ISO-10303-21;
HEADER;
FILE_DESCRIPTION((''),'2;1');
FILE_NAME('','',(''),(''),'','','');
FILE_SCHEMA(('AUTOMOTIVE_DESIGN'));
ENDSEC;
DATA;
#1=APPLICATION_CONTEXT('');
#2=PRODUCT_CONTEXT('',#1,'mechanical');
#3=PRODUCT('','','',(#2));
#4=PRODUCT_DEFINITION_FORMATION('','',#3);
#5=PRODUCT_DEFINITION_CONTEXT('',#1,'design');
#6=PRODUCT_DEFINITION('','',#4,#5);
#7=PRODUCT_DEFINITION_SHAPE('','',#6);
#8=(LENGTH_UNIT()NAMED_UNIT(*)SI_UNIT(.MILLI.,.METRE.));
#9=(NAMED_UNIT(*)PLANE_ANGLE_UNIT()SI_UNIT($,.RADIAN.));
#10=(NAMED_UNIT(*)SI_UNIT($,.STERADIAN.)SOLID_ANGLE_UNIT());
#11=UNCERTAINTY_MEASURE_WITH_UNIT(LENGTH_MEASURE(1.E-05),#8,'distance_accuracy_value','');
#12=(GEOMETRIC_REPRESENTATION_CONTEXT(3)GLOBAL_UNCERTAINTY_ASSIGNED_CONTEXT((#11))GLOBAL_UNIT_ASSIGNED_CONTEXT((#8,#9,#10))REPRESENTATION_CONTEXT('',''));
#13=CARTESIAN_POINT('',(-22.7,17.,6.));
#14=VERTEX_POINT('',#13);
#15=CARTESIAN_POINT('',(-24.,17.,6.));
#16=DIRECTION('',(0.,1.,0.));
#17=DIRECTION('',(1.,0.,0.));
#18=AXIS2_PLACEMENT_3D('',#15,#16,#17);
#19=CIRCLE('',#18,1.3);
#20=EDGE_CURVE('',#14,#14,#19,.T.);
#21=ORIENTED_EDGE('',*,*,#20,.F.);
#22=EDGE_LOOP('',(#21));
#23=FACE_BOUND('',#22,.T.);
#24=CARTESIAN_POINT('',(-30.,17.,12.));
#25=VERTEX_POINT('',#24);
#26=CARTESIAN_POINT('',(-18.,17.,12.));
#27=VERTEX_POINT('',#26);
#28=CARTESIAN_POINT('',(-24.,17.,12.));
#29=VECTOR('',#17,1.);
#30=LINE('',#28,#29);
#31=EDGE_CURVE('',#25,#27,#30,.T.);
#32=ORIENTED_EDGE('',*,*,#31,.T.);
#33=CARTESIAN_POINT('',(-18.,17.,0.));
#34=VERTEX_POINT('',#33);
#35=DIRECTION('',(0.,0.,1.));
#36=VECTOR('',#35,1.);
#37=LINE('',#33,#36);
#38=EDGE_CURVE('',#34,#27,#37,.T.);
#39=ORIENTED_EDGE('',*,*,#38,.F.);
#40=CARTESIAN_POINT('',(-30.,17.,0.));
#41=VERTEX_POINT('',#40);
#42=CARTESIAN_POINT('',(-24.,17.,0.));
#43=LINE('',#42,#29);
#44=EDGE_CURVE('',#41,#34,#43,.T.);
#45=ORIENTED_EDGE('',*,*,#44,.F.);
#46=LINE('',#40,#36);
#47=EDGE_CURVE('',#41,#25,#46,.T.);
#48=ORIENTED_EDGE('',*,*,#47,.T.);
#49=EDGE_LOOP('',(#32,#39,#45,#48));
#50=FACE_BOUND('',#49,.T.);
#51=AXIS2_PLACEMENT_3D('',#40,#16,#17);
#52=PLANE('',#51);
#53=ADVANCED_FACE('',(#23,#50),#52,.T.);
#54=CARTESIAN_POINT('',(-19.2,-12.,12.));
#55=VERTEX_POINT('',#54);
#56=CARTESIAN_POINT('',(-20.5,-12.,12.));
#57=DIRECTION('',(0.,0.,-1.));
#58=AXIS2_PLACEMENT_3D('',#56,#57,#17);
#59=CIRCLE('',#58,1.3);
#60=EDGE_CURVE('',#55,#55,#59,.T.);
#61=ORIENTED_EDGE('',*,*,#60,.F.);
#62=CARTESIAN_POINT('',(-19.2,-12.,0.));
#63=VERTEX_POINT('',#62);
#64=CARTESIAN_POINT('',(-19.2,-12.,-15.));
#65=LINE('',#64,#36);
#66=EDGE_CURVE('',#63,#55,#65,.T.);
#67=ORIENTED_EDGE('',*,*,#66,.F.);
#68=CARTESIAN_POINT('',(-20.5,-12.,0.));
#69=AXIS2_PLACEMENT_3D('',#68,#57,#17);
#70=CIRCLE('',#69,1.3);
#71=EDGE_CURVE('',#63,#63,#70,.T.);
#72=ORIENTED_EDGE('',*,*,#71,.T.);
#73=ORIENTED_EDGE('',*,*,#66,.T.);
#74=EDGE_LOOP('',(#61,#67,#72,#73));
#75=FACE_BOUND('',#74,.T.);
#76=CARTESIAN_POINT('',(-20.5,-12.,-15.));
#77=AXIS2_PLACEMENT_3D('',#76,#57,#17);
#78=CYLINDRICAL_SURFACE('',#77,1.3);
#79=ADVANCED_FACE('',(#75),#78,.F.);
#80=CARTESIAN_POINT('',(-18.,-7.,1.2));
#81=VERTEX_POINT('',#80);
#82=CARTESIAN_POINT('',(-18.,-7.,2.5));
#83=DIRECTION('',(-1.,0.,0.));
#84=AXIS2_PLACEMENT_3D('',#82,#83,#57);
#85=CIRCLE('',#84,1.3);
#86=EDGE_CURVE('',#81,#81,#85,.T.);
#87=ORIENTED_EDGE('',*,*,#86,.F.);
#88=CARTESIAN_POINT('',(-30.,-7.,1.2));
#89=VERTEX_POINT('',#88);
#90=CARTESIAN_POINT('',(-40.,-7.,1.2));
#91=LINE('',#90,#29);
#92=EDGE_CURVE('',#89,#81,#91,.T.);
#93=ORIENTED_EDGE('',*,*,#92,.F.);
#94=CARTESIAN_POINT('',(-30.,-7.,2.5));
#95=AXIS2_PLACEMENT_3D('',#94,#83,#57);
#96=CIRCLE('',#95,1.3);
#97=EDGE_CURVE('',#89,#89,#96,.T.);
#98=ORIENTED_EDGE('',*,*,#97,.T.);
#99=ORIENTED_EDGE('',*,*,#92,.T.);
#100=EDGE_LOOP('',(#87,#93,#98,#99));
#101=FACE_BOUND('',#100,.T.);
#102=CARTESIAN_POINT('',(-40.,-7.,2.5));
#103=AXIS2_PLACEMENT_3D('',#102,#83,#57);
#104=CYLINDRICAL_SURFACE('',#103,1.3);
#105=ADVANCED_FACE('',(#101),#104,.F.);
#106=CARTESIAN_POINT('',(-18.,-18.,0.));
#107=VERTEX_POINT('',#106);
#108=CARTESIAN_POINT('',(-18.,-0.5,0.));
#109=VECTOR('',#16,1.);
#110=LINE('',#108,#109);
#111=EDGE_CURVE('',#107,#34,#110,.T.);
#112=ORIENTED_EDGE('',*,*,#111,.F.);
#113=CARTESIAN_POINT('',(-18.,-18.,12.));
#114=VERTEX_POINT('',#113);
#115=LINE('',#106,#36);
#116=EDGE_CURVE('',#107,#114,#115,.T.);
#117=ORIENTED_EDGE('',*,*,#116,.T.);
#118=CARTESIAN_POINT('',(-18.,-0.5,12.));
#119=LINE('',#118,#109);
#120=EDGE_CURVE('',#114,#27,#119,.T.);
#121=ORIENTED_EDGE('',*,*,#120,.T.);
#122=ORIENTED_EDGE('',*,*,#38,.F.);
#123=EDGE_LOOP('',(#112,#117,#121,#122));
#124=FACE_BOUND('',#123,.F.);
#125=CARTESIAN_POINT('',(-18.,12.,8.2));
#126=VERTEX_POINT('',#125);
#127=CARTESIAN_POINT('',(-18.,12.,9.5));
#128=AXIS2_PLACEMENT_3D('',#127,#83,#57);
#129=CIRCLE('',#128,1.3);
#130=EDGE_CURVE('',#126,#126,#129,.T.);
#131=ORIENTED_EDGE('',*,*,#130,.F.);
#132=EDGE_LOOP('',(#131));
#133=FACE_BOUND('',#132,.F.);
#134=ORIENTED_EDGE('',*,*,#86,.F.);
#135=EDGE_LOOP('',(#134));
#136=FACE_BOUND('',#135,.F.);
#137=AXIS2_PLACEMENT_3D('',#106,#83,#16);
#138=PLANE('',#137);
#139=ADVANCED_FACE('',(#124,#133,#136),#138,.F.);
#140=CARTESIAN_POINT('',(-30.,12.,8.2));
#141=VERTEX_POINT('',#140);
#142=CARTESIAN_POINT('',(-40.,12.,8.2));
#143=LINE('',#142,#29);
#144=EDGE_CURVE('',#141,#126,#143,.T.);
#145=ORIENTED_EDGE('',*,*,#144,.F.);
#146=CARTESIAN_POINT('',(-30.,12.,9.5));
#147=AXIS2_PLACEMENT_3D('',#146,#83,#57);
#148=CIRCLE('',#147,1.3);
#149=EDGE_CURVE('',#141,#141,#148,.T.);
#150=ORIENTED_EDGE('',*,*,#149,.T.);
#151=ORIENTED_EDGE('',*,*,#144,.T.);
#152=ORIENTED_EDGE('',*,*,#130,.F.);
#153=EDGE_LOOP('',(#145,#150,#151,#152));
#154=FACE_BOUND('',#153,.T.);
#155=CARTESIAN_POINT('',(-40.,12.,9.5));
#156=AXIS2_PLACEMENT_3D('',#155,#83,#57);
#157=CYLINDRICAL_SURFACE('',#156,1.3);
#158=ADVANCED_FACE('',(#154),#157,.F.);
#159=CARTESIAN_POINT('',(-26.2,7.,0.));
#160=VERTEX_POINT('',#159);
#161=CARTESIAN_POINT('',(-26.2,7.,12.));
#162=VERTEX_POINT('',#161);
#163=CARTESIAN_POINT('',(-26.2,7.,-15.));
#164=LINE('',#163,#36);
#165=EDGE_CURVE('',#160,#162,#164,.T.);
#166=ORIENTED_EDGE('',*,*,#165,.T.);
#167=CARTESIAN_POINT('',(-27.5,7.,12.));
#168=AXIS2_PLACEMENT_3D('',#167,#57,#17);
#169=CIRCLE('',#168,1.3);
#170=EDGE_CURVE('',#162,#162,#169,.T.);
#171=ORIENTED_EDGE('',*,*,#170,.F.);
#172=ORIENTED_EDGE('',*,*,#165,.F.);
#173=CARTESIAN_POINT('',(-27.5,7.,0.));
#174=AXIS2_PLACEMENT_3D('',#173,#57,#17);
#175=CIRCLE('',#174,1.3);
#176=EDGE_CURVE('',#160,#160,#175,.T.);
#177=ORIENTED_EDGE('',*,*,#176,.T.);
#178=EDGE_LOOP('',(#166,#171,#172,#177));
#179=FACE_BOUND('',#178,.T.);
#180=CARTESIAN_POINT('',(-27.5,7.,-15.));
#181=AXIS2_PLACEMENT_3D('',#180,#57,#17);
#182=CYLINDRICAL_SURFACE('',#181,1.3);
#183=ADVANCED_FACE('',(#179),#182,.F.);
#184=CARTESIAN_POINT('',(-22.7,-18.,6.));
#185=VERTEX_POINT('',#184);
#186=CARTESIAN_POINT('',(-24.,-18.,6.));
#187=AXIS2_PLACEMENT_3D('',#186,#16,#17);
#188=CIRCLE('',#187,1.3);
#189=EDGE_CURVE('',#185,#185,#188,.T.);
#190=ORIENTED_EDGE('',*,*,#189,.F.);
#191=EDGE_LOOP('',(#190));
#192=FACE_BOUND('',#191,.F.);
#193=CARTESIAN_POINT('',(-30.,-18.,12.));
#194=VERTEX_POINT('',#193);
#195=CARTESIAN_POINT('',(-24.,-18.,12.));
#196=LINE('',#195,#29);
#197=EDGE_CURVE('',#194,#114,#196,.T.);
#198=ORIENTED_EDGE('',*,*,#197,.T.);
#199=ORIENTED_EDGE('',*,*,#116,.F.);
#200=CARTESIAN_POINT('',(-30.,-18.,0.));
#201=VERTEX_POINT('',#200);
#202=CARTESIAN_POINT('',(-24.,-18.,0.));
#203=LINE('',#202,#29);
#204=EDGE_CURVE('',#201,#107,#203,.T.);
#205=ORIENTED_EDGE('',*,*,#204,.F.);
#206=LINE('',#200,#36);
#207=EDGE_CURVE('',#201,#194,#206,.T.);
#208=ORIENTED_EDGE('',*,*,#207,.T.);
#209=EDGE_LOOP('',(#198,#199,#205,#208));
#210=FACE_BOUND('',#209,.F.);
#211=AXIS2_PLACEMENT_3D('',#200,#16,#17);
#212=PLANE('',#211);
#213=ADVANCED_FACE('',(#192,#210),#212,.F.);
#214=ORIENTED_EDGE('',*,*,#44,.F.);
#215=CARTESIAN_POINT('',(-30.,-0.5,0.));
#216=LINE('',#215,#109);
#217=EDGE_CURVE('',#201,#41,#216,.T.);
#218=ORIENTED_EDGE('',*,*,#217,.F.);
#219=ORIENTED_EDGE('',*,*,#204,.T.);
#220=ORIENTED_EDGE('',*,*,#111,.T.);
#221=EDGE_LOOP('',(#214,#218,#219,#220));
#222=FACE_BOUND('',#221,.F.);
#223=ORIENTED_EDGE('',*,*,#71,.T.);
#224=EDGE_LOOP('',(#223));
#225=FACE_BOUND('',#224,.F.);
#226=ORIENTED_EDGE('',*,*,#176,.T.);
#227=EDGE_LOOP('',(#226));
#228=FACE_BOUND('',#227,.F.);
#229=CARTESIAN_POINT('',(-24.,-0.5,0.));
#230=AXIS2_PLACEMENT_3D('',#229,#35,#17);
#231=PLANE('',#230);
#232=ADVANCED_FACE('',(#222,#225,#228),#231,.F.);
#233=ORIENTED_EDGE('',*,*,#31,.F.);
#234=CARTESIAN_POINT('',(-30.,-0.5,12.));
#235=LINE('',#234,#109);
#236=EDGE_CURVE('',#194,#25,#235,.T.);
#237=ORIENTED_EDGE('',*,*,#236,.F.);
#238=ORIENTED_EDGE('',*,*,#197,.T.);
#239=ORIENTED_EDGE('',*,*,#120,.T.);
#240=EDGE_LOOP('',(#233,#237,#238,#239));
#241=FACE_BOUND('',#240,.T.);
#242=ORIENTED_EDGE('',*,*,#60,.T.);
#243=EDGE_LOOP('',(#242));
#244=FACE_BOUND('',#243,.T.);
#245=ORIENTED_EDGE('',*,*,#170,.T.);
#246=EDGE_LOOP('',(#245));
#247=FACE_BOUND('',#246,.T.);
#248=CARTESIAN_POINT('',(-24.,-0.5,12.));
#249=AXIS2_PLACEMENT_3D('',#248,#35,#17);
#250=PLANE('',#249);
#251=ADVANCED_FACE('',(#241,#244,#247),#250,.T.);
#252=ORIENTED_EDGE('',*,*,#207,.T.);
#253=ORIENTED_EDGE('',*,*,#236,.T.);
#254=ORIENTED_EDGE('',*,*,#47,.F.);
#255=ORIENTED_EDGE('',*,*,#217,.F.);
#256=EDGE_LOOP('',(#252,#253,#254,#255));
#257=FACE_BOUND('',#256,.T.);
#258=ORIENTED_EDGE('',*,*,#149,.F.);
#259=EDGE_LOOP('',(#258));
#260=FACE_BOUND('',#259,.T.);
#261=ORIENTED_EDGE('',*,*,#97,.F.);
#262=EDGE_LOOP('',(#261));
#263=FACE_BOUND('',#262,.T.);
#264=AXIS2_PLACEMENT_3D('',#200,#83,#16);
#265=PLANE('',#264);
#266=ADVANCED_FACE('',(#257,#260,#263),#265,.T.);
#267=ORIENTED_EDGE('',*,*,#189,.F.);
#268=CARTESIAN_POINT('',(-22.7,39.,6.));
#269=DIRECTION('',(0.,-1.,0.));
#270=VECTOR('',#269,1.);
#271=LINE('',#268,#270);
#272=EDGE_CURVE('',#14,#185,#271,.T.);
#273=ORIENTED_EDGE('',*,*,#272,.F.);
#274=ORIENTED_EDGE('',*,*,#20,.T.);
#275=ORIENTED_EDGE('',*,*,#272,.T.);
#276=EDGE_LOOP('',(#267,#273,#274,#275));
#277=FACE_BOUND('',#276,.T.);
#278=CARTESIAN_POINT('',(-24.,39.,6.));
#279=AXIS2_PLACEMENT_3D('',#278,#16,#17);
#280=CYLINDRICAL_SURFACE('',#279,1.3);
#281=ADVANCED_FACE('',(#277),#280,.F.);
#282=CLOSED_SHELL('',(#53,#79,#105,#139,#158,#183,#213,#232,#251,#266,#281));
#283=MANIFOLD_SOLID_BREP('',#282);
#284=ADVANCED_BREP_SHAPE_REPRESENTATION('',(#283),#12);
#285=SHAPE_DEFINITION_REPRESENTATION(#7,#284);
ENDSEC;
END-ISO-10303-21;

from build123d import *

# Parameters (mm, degrees)
CYLINDER024_R           = 1.3
CYLINDER024_DEPTH       = 40
CYLINDER024_PITCH_ANGLE = 90
CYLINDER023_R           = 1.3
CYLINDER023_DEPTH       = 40
CYLINDER023_PITCH_ANGLE = 90
CYLINDER022_R           = 1.3
CYLINDER022_DEPTH       = 70
CYLINDER022_ROLL_ANGLE  = 90
CYLINDER021_R           = 1.3
CYLINDER021_DEPTH       = 40
CYLINDER020_R           = 1.3
CYLINDER020_DEPTH       = 40
BOX017_W                = 12
BOX017_H                = 35
BOX017_DEPTH            = 12


with BuildPart() as cylinder105:
    # Cylinder024 → Cylinder024 (new body)
    with BuildSketch(Plane.XY):
        Circle(CYLINDER024_R)
    extrude(amount=CYLINDER024_DEPTH)


with BuildPart() as cylinder105_1:
    # Cylinder024 pitch: moved
    add(cylinder105.part.rotate(Axis((0, 0, 0), (0, 1, 0)), CYLINDER024_PITCH_ANGLE))


with BuildPart() as cylinder105_2:
    # Cylinder024 placement: moved
    add(cylinder105_1.part.moved(Location((-40, 12, 9.5))))


with BuildPart() as fusion007:
    # Cylinder023 → Cylinder023 (new body)
    with BuildSketch(Plane.XY):
        Circle(CYLINDER023_R)
    extrude(amount=CYLINDER023_DEPTH)


with BuildPart() as fusion007_1:
    # Cylinder023 pitch: moved
    add(fusion007.part.rotate(Axis((0, 0, 0), (0, 1, 0)), CYLINDER023_PITCH_ANGLE))


with BuildPart() as fusion007_2:
    # Cylinder023 placement: moved
    add(fusion007_1.part.moved(Location((-40, -7, 2.5))))

    # Fusion007: union Cylinder105
    add(cylinder105_2.part)


with BuildPart() as fusion008:
    # Cylinder022 → Cylinder022 (new body)
    with BuildSketch(Plane.XY):
        Circle(CYLINDER022_R)
    extrude(amount=CYLINDER022_DEPTH)


with BuildPart() as fusion008_1:
    # Cylinder022 roll: moved
    add(fusion008.part.rotate(Axis((0, 0, 0), (1, 0, 0)), CYLINDER022_ROLL_ANGLE))


with BuildPart() as fusion008_2:
    # Cylinder022 placement: moved
    add(fusion008_1.part.moved(Location((-24, 39, 6))))

    # Fusion008: union Fusion007
    add(fusion007_2.part)


with BuildPart() as fusion009:
    # Cylinder021 → Cylinder021 (new body)
    with BuildSketch(Plane(origin=(-27.5, 7, -15), x_dir=(1, 0, 0), z_dir=(0, 0, 1))):
        Circle(CYLINDER021_R)
    extrude(amount=CYLINDER021_DEPTH)

    # Fusion009: union Fusion008
    add(fusion008_2.part)


with BuildPart() as corner_block_holes:
    # Cylinder020 → Cylinder020 (new body)
    with BuildSketch(Plane(origin=(-20.5, -12, -15), x_dir=(1, 0, 0), z_dir=(0, 0, 1))):
        Circle(CYLINDER020_R)
    extrude(amount=CYLINDER020_DEPTH)

    # Fusion010: union Fusion009
    add(fusion009.part)


with BuildPart() as corner_block:
    # Box017 → Box017 (new body)
    with BuildSketch(Plane(origin=(-30, -18, 0), x_dir=(1, 0, 0), z_dir=(0, 0, 1))):
        with Locations((6, 17.5)):
            Rectangle(BOX017_W, BOX017_H)
    extrude(amount=BOX017_DEPTH)

    # Cut008: cut corner-block-holes
    add(corner_block_holes.part, mode=Mode.SUBTRACT)


solid = corner_block.part
